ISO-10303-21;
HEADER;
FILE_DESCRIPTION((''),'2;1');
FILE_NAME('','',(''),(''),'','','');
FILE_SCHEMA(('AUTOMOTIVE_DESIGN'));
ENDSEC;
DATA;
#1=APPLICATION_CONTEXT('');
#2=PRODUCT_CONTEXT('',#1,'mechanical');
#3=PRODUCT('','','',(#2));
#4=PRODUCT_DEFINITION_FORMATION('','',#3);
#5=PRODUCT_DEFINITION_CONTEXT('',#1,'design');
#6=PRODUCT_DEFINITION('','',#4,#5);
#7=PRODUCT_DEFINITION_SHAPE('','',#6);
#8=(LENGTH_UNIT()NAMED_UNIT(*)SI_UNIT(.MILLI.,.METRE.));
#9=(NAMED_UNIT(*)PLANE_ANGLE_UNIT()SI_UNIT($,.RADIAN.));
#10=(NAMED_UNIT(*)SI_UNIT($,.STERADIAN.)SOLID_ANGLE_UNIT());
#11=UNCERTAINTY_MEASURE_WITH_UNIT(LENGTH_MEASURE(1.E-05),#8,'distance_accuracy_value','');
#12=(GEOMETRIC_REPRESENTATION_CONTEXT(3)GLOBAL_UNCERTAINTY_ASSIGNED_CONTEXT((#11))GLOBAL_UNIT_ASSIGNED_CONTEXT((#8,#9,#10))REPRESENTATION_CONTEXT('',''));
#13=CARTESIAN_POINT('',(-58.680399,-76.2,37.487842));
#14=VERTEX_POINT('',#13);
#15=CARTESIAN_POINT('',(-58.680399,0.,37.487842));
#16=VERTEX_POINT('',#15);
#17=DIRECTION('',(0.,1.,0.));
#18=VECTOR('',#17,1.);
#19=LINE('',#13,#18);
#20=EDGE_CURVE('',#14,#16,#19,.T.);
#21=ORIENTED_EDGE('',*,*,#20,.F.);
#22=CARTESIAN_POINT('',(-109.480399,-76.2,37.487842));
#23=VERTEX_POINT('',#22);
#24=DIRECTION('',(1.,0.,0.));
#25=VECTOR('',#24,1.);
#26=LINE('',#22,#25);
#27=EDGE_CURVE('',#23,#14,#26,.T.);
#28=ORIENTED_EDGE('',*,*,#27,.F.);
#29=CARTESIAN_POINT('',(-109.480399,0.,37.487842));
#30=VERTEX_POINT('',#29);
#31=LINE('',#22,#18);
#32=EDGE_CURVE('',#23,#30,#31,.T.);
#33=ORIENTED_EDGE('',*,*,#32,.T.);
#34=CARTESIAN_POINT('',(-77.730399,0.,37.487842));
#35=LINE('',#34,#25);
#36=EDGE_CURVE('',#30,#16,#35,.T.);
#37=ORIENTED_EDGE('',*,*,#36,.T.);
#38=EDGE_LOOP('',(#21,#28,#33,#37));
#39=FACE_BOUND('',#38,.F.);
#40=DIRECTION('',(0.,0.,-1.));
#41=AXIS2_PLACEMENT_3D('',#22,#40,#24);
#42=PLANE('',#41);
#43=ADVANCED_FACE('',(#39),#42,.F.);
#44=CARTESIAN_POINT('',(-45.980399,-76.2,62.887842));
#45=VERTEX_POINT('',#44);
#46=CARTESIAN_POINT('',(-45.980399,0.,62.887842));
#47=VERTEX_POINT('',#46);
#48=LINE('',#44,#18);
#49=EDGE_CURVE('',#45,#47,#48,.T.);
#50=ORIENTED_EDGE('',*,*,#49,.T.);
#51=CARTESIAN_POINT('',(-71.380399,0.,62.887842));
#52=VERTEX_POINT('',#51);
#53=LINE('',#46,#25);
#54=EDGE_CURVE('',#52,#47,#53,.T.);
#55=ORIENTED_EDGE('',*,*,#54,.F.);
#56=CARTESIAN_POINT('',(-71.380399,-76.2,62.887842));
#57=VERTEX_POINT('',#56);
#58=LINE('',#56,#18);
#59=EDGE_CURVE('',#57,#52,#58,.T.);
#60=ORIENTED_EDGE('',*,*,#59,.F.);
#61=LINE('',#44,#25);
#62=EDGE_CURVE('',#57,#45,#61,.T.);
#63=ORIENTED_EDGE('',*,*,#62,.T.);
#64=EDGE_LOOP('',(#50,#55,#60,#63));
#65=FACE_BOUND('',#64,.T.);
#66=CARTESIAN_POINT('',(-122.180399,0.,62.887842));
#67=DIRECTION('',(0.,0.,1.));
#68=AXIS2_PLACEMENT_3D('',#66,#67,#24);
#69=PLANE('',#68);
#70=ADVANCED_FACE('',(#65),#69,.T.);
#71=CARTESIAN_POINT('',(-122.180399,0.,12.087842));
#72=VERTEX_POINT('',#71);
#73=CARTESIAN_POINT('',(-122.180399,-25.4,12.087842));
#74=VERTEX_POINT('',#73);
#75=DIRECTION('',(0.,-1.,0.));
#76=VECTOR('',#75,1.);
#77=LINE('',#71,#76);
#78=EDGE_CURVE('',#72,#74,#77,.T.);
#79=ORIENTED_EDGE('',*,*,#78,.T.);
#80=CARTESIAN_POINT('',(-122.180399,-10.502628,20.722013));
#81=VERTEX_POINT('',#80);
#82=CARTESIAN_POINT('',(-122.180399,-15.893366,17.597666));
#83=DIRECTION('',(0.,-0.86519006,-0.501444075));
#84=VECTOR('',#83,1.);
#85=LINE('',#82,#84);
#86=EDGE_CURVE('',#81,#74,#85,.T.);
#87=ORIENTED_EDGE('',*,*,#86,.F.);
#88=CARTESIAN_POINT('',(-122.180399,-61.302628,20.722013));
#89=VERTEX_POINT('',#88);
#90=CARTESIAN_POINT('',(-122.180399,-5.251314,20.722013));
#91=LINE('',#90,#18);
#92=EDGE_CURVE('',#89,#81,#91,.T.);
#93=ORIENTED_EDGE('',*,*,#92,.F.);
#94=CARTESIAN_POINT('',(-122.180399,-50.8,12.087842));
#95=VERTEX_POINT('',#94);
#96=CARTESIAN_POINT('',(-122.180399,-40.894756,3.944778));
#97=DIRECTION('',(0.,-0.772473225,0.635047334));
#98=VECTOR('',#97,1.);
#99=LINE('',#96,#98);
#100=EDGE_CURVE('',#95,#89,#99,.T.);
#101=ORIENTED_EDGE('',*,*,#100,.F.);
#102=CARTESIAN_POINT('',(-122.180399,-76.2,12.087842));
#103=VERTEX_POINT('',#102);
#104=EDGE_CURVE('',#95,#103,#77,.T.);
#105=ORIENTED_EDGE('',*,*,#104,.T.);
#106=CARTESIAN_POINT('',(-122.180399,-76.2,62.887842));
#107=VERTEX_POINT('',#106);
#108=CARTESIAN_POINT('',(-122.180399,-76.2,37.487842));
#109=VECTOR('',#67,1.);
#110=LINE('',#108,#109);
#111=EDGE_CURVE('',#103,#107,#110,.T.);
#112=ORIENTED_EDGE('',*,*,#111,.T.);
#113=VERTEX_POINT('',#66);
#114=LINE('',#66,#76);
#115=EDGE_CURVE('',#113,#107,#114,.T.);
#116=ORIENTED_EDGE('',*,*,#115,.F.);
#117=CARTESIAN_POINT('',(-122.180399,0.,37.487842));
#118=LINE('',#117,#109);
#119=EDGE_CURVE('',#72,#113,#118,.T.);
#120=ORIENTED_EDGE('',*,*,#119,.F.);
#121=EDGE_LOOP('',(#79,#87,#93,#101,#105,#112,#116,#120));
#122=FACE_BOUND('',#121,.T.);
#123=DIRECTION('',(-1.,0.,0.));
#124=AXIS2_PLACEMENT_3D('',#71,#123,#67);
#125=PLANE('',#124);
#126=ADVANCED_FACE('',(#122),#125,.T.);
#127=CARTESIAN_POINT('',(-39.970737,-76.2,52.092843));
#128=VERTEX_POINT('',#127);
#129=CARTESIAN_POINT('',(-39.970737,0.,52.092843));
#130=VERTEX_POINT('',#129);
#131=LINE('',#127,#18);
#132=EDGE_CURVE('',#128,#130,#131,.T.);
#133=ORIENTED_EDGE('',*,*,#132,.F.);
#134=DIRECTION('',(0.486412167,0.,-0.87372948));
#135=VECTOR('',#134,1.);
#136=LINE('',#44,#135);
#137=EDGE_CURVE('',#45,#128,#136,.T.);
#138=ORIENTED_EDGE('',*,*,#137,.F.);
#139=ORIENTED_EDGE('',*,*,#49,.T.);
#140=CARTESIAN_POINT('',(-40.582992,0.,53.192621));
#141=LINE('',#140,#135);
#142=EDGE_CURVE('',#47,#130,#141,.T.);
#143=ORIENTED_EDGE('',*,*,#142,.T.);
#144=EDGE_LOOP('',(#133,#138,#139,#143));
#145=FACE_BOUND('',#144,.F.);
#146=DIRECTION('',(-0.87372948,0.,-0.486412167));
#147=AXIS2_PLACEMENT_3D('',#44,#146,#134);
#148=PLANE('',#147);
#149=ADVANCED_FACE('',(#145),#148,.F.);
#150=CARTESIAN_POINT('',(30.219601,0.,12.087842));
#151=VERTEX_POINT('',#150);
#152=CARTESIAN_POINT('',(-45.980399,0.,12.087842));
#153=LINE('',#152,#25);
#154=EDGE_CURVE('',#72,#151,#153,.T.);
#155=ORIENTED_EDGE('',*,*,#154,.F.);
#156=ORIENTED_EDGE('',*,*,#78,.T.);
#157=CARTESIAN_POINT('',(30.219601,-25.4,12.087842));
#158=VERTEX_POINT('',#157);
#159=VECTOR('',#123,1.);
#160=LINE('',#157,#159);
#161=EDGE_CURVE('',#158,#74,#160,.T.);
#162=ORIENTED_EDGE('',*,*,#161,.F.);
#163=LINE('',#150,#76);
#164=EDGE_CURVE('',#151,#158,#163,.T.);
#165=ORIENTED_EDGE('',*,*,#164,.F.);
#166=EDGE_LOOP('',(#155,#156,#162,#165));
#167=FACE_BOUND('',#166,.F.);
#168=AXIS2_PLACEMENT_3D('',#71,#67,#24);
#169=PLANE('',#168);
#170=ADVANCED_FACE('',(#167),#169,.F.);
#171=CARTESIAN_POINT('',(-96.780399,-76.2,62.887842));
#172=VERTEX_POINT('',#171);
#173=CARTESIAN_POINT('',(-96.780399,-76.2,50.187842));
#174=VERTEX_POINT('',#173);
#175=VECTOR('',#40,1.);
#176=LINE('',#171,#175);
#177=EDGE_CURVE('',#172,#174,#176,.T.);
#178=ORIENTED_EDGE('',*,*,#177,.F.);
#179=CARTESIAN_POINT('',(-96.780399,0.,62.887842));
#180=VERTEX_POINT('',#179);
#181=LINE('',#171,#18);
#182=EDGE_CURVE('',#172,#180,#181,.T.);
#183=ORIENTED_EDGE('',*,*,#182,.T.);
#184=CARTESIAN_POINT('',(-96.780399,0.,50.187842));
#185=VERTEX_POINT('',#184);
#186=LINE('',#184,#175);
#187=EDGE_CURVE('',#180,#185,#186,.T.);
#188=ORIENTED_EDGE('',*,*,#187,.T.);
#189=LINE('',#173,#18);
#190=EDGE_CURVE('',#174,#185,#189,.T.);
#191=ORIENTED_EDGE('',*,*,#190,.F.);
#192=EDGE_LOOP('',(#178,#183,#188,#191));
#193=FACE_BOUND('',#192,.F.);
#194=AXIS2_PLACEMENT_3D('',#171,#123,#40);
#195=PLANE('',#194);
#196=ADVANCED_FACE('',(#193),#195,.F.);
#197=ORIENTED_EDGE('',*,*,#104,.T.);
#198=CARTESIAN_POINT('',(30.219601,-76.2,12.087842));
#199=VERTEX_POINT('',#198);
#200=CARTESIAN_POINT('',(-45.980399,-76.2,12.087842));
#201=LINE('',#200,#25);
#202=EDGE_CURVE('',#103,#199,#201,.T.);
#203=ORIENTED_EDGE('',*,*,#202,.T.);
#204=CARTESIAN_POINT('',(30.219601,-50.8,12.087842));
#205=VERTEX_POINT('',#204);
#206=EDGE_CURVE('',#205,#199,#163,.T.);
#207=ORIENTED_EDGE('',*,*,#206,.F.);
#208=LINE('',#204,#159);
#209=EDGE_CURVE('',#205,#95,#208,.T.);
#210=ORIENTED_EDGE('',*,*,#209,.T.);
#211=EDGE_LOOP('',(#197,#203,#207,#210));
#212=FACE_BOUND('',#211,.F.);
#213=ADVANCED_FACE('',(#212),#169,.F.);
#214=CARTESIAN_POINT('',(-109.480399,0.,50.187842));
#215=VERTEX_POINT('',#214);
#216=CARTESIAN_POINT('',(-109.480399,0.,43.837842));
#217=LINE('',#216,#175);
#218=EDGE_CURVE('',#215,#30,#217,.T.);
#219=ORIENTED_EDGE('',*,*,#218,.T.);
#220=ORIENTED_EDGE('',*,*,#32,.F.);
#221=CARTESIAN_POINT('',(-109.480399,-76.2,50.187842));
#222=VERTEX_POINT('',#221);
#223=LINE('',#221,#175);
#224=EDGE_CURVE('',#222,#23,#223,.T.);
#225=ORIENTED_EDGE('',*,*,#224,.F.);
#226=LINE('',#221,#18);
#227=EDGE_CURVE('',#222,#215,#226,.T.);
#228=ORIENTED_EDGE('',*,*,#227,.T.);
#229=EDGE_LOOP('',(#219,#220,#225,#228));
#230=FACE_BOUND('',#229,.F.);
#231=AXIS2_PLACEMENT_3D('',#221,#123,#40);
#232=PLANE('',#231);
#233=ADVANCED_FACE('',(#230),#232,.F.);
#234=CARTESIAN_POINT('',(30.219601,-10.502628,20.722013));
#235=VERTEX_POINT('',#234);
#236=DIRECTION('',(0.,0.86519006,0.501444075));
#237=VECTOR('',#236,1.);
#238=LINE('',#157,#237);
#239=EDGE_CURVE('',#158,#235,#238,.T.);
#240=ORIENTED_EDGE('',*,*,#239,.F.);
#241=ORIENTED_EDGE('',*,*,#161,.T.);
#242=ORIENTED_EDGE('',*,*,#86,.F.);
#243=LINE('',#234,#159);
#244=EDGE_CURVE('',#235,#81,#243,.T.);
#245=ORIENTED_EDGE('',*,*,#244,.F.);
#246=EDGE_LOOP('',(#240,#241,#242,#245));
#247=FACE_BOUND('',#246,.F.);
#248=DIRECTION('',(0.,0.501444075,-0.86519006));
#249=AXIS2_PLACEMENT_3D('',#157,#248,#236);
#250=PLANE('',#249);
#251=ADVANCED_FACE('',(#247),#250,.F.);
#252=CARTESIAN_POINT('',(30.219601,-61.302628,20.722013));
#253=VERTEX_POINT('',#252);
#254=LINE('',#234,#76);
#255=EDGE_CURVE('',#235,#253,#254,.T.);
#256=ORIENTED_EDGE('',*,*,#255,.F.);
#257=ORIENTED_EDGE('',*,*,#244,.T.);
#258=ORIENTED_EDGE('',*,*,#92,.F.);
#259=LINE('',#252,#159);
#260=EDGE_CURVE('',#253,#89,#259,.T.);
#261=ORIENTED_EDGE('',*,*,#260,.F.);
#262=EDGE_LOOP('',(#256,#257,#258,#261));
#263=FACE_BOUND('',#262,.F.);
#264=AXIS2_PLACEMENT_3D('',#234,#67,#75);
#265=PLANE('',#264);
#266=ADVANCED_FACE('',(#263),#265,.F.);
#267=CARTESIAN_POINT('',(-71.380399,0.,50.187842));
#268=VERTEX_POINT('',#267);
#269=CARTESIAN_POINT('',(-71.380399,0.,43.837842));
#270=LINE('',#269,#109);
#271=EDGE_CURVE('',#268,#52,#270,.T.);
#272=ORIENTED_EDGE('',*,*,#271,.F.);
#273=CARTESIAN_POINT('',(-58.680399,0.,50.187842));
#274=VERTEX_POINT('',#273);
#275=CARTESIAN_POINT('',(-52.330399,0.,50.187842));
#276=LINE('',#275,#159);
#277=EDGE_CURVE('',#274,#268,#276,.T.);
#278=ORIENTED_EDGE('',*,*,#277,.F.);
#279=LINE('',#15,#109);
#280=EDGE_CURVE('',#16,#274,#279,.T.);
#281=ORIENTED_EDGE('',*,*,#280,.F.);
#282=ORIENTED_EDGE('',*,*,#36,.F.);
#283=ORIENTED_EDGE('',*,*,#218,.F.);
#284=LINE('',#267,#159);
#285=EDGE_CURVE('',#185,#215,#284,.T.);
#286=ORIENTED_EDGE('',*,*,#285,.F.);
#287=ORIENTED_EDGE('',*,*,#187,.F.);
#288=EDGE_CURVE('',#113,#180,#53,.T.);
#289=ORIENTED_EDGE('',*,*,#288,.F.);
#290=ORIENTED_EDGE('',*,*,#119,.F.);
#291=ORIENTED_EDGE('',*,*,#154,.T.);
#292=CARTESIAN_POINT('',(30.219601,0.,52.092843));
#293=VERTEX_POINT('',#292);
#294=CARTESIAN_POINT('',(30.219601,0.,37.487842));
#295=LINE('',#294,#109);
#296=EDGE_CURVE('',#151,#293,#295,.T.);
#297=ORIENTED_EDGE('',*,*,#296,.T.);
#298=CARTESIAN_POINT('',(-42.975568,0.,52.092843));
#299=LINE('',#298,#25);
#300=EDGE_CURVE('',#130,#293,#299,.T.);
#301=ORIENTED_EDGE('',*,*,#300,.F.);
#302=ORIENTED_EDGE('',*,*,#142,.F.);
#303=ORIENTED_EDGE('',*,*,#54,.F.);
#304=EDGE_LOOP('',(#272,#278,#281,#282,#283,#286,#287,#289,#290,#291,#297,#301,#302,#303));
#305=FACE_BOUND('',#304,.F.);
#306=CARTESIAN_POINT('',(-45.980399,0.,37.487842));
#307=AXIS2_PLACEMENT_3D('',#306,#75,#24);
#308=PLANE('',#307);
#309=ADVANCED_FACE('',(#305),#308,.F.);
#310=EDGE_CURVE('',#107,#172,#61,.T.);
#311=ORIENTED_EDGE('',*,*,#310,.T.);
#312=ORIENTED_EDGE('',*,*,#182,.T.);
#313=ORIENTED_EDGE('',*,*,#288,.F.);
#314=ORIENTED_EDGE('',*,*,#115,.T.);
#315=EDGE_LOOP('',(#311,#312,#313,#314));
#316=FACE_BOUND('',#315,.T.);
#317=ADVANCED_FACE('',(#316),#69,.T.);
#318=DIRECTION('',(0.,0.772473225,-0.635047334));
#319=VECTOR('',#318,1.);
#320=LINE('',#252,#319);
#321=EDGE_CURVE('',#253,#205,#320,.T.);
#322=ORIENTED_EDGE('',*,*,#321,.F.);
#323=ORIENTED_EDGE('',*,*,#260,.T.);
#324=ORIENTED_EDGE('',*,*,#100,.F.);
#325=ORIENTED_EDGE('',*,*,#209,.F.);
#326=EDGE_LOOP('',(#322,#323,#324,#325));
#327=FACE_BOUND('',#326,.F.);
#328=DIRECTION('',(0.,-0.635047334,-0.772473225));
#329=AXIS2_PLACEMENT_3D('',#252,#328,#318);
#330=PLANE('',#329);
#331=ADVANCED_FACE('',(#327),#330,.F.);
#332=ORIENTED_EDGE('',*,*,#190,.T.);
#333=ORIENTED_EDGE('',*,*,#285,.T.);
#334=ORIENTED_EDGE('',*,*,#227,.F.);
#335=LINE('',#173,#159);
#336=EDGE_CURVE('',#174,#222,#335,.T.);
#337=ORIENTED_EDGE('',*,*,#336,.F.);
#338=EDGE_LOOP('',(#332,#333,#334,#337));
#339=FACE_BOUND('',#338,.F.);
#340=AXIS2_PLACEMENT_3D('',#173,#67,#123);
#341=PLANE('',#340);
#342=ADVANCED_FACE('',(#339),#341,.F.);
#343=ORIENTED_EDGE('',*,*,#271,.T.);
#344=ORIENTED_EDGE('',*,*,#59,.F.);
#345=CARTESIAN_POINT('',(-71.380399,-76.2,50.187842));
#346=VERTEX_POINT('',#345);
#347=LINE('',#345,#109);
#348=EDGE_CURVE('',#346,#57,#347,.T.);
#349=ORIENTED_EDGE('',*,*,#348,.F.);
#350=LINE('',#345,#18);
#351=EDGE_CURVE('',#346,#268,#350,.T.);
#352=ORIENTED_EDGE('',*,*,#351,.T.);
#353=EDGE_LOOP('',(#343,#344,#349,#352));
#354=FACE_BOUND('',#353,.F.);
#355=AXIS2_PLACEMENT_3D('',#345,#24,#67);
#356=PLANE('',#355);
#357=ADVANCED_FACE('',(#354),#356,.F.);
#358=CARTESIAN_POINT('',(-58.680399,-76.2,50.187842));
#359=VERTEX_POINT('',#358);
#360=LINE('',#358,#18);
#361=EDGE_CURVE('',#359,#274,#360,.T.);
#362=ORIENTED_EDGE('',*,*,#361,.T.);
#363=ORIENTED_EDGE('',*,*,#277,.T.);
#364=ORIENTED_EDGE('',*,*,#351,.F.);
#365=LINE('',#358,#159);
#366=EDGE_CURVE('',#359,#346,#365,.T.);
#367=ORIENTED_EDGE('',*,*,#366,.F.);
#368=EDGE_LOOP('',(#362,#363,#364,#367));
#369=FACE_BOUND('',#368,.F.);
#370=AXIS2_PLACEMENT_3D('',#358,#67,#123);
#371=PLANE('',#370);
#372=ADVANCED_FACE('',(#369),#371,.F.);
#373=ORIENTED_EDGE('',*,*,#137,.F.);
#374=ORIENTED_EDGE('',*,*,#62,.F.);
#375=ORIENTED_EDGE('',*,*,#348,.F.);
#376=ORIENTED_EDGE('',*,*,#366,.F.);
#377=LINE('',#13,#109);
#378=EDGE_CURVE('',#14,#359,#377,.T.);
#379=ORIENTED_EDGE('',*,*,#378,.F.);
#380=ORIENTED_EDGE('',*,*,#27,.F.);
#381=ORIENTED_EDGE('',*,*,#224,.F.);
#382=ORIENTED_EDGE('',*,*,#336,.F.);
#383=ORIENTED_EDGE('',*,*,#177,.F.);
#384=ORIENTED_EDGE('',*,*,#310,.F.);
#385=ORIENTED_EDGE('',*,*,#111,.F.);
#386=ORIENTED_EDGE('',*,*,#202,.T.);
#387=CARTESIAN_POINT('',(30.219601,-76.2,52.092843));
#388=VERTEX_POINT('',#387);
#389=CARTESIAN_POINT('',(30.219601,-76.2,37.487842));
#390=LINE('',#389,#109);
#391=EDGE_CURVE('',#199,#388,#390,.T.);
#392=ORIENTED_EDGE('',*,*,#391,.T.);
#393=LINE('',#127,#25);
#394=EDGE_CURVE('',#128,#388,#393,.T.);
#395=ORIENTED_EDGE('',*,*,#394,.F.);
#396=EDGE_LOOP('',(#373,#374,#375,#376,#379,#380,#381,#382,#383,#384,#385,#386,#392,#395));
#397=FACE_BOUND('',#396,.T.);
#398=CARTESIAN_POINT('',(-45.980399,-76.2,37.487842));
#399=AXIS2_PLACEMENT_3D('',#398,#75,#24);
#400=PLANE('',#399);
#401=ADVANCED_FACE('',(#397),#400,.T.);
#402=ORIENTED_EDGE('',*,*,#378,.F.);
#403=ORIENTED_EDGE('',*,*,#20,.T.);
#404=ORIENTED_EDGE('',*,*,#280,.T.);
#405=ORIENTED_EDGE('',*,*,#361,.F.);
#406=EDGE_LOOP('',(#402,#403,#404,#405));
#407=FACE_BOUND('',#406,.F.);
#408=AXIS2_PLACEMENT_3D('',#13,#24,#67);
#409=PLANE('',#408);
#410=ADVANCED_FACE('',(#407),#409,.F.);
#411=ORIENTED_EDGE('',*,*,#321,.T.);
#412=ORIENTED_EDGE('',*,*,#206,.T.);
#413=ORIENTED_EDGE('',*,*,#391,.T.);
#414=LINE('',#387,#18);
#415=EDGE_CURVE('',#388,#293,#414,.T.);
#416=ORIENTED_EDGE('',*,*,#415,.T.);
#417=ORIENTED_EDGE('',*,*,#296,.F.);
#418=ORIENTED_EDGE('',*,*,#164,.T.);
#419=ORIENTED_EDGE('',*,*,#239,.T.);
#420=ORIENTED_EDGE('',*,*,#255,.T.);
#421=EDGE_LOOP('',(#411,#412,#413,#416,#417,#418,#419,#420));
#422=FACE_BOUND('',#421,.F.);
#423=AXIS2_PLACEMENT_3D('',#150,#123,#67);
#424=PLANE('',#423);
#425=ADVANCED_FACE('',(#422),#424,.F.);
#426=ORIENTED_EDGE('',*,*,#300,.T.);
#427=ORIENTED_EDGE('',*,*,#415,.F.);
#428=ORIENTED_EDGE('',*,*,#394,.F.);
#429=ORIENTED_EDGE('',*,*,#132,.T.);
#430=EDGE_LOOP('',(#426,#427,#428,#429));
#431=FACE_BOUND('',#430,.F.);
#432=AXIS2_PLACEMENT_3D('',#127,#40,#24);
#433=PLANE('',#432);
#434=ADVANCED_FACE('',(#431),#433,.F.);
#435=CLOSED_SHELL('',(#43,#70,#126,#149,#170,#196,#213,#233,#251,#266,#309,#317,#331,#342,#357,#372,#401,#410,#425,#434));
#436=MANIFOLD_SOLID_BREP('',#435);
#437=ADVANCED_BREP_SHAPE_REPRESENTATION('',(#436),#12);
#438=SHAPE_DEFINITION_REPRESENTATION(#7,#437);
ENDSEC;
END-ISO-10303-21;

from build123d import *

# Parameters (mm, degrees)
F0_W     = 152.4
F0_H     = 50.8
F1_DEPTH = 76.2
F3_DEPTH = 76.201
F5_DEPTH = 76.201
F7_DEPTH = 152.401


with BuildPart() as f1:
    # F0 (on Front) → F1 (new body)
    with BuildSketch(Plane.XZ):
        with Locations((-45.980399, 37.487842)):
            Rectangle(F0_W, F0_H)
    extrude(amount=F1_DEPTH)

    # F2 (on face) → F3 (cut, through all)
    with BuildSketch(Plane.XZ.offset(76.2)):
        Polygon((-71.380399, 62.887842), (-96.780399, 62.887842), (-96.780399, 50.187842), (-109.480399, 50.187842), (-109.480399, 37.487842), (-58.680399, 37.487842), (-58.680399, 50.187842), (-71.380399, 50.187842), align=None)
    extrude(amount=-F3_DEPTH, mode=Mode.SUBTRACT)

    # F4 (on face) → F5 (cut, through all)
    with BuildSketch(Plane.XZ.offset(76.2)):
        Polygon((30.219601, 62.887842), (-45.980399, 62.887842), (-39.970737, 52.092843), (30.219601, 52.092843), align=None)
    extrude(amount=-F5_DEPTH, mode=Mode.SUBTRACT)

    # F6 (on face) → F7 (cut, through all)
    with BuildSketch(Plane.YZ.offset(30.219601)):
        Polygon((-61.302628, 20.722013), (-50.8, 12.087842), (-25.4, 12.087842), (-10.502628, 20.722013), align=None)
    extrude(amount=-F7_DEPTH, mode=Mode.SUBTRACT)


solid = f1.part
